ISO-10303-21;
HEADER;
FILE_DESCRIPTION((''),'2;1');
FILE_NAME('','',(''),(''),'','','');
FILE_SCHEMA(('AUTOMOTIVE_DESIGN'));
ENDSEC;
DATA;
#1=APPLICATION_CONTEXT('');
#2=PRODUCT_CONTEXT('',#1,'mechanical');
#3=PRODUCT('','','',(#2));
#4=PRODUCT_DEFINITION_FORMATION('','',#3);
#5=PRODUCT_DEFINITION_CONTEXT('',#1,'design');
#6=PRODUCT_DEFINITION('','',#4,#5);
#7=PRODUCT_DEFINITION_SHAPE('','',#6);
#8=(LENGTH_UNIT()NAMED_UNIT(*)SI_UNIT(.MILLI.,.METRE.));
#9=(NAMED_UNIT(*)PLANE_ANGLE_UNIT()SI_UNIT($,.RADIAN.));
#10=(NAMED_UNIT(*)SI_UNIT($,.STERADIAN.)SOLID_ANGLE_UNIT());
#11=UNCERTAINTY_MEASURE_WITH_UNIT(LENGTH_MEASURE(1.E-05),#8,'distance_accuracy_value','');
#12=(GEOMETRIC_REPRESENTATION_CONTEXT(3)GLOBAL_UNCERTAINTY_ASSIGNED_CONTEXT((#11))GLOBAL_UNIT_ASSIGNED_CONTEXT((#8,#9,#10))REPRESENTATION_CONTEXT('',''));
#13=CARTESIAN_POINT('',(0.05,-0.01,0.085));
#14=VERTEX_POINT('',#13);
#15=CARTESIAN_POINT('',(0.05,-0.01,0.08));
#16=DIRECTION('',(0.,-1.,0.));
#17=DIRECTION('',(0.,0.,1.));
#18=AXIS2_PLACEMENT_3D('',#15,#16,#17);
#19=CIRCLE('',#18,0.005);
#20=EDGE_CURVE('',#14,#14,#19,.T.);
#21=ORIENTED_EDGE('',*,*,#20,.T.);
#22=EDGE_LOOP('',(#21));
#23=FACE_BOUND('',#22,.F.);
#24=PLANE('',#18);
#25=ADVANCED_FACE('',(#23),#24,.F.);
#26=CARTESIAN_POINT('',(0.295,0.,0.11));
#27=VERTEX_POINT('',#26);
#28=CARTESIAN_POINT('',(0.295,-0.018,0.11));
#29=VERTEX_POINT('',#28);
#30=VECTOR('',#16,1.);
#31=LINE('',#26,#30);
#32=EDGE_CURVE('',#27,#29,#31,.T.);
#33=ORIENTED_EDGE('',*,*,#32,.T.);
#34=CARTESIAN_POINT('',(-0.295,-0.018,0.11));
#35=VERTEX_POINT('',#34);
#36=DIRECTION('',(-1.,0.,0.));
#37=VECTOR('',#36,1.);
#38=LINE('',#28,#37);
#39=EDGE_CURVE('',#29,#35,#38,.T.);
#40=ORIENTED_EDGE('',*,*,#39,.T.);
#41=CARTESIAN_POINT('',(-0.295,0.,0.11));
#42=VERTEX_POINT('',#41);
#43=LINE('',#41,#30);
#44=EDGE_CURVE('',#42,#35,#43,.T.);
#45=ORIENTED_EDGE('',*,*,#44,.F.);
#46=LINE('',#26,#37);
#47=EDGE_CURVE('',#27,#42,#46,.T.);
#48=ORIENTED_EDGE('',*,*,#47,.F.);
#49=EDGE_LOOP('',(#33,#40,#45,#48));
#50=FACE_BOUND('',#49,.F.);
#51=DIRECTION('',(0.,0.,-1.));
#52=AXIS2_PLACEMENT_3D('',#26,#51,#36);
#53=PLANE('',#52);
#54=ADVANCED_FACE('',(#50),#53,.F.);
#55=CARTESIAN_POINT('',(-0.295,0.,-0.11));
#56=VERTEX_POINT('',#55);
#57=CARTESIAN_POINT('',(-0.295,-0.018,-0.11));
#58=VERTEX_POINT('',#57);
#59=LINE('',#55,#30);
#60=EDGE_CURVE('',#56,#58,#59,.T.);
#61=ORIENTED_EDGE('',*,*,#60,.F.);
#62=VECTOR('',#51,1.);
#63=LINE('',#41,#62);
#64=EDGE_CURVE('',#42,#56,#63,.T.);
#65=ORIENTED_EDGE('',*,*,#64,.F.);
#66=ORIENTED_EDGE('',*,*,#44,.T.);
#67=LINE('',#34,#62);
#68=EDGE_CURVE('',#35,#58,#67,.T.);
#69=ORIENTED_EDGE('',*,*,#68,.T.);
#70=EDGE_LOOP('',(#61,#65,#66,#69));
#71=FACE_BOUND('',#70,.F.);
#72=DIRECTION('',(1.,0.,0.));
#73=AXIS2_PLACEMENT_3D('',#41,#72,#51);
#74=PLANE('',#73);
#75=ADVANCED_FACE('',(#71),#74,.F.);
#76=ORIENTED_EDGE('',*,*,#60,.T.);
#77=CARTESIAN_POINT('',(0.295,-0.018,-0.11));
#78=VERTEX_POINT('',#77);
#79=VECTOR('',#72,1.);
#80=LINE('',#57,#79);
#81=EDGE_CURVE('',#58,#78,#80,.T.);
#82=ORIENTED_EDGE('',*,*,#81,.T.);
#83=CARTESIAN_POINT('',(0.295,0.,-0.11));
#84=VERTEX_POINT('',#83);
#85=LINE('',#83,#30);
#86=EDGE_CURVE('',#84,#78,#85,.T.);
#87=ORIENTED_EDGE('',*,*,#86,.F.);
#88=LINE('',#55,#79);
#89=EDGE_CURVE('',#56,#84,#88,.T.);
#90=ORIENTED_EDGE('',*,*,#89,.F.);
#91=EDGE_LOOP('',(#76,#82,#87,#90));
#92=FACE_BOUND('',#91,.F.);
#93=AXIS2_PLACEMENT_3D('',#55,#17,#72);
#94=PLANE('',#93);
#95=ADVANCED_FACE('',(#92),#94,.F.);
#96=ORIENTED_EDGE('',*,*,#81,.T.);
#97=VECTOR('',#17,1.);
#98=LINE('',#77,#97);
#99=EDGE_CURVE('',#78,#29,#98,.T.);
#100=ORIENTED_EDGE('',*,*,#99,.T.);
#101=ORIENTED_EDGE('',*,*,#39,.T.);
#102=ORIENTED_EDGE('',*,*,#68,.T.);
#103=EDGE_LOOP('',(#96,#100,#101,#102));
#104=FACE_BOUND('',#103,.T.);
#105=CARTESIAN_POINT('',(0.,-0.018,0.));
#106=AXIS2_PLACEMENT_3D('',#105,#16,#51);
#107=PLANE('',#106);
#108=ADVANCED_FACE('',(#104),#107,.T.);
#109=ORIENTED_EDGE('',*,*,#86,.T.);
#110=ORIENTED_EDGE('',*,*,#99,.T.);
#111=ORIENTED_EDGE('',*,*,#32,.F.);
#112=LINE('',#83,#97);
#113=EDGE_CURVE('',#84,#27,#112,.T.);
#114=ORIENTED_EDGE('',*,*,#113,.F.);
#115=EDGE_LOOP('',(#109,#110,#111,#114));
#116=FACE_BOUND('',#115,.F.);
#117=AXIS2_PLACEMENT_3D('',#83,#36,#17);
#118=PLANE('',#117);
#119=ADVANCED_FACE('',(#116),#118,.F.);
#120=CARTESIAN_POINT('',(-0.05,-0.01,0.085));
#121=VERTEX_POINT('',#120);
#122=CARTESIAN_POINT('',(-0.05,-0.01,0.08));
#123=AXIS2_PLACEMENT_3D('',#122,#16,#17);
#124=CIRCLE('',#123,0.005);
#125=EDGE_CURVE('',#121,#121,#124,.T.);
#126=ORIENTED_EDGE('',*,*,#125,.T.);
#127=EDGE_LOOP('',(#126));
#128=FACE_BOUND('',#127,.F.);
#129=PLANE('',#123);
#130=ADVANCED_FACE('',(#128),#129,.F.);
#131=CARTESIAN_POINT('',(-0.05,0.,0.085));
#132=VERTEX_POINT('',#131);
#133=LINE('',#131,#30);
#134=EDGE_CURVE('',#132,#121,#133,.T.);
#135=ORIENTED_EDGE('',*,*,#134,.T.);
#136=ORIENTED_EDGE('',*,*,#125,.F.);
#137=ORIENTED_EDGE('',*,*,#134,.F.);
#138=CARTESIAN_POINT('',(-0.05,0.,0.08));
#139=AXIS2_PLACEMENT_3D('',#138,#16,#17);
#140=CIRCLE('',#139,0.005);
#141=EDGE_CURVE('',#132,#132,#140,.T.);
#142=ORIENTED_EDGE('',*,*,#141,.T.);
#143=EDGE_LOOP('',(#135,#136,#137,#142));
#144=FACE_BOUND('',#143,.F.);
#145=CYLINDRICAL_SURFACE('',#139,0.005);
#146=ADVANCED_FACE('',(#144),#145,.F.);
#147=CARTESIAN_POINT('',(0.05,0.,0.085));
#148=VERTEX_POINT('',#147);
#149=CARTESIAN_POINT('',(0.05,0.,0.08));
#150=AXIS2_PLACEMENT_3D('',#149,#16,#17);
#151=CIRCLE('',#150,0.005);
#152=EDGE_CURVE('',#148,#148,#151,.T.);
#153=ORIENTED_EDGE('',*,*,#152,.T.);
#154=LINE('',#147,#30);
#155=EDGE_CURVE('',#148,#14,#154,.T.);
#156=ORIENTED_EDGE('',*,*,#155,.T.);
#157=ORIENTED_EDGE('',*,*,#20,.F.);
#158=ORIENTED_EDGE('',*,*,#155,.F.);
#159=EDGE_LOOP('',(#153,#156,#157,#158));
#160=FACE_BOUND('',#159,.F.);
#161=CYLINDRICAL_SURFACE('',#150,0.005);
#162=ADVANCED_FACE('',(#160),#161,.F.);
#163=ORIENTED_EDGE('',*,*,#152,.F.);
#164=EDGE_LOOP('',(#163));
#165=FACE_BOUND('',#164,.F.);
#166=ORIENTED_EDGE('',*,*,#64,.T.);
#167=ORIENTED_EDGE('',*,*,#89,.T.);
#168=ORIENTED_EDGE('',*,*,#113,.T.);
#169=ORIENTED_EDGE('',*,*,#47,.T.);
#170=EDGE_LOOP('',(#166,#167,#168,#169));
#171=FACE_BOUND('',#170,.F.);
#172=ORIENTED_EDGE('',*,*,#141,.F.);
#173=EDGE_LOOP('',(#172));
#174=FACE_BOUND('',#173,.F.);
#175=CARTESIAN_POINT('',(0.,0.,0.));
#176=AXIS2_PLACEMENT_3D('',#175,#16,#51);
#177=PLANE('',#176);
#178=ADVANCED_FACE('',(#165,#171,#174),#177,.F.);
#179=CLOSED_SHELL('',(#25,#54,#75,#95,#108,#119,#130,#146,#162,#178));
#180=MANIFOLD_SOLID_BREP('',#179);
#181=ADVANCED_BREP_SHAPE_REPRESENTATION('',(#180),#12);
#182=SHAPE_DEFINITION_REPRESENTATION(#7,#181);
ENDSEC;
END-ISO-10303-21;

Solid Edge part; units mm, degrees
sketch "Sketch1" plane through (0, 0, 0) normal (0, -1, 0) x (1, 0, 0)
  line L0 (-0.295, -0.11) -> (0.295, -0.11)
  line L1 (0.295, -0.11) -> (0.295, 0.11)
  line L2 (0.295, 0.11) -> (-0.295, 0.11)
  line L3 (-0.295, 0.11) -> (-0.295, -0.11)
  dimension "D1" = 0.22
  dimension "D2" = 0.59
extrude "Protrusion1" add sketch "Sketch1" along normal blind 0.018
hole "Bohrung_1" at (-0.05, 0, 0.08) direction (0, -1, 0) diameter 0.01 depth 0.01
hole "Hole1" at (0.05, 0, 0.08) direction (0, -1, 0) diameter 0.01 depth 0.01
